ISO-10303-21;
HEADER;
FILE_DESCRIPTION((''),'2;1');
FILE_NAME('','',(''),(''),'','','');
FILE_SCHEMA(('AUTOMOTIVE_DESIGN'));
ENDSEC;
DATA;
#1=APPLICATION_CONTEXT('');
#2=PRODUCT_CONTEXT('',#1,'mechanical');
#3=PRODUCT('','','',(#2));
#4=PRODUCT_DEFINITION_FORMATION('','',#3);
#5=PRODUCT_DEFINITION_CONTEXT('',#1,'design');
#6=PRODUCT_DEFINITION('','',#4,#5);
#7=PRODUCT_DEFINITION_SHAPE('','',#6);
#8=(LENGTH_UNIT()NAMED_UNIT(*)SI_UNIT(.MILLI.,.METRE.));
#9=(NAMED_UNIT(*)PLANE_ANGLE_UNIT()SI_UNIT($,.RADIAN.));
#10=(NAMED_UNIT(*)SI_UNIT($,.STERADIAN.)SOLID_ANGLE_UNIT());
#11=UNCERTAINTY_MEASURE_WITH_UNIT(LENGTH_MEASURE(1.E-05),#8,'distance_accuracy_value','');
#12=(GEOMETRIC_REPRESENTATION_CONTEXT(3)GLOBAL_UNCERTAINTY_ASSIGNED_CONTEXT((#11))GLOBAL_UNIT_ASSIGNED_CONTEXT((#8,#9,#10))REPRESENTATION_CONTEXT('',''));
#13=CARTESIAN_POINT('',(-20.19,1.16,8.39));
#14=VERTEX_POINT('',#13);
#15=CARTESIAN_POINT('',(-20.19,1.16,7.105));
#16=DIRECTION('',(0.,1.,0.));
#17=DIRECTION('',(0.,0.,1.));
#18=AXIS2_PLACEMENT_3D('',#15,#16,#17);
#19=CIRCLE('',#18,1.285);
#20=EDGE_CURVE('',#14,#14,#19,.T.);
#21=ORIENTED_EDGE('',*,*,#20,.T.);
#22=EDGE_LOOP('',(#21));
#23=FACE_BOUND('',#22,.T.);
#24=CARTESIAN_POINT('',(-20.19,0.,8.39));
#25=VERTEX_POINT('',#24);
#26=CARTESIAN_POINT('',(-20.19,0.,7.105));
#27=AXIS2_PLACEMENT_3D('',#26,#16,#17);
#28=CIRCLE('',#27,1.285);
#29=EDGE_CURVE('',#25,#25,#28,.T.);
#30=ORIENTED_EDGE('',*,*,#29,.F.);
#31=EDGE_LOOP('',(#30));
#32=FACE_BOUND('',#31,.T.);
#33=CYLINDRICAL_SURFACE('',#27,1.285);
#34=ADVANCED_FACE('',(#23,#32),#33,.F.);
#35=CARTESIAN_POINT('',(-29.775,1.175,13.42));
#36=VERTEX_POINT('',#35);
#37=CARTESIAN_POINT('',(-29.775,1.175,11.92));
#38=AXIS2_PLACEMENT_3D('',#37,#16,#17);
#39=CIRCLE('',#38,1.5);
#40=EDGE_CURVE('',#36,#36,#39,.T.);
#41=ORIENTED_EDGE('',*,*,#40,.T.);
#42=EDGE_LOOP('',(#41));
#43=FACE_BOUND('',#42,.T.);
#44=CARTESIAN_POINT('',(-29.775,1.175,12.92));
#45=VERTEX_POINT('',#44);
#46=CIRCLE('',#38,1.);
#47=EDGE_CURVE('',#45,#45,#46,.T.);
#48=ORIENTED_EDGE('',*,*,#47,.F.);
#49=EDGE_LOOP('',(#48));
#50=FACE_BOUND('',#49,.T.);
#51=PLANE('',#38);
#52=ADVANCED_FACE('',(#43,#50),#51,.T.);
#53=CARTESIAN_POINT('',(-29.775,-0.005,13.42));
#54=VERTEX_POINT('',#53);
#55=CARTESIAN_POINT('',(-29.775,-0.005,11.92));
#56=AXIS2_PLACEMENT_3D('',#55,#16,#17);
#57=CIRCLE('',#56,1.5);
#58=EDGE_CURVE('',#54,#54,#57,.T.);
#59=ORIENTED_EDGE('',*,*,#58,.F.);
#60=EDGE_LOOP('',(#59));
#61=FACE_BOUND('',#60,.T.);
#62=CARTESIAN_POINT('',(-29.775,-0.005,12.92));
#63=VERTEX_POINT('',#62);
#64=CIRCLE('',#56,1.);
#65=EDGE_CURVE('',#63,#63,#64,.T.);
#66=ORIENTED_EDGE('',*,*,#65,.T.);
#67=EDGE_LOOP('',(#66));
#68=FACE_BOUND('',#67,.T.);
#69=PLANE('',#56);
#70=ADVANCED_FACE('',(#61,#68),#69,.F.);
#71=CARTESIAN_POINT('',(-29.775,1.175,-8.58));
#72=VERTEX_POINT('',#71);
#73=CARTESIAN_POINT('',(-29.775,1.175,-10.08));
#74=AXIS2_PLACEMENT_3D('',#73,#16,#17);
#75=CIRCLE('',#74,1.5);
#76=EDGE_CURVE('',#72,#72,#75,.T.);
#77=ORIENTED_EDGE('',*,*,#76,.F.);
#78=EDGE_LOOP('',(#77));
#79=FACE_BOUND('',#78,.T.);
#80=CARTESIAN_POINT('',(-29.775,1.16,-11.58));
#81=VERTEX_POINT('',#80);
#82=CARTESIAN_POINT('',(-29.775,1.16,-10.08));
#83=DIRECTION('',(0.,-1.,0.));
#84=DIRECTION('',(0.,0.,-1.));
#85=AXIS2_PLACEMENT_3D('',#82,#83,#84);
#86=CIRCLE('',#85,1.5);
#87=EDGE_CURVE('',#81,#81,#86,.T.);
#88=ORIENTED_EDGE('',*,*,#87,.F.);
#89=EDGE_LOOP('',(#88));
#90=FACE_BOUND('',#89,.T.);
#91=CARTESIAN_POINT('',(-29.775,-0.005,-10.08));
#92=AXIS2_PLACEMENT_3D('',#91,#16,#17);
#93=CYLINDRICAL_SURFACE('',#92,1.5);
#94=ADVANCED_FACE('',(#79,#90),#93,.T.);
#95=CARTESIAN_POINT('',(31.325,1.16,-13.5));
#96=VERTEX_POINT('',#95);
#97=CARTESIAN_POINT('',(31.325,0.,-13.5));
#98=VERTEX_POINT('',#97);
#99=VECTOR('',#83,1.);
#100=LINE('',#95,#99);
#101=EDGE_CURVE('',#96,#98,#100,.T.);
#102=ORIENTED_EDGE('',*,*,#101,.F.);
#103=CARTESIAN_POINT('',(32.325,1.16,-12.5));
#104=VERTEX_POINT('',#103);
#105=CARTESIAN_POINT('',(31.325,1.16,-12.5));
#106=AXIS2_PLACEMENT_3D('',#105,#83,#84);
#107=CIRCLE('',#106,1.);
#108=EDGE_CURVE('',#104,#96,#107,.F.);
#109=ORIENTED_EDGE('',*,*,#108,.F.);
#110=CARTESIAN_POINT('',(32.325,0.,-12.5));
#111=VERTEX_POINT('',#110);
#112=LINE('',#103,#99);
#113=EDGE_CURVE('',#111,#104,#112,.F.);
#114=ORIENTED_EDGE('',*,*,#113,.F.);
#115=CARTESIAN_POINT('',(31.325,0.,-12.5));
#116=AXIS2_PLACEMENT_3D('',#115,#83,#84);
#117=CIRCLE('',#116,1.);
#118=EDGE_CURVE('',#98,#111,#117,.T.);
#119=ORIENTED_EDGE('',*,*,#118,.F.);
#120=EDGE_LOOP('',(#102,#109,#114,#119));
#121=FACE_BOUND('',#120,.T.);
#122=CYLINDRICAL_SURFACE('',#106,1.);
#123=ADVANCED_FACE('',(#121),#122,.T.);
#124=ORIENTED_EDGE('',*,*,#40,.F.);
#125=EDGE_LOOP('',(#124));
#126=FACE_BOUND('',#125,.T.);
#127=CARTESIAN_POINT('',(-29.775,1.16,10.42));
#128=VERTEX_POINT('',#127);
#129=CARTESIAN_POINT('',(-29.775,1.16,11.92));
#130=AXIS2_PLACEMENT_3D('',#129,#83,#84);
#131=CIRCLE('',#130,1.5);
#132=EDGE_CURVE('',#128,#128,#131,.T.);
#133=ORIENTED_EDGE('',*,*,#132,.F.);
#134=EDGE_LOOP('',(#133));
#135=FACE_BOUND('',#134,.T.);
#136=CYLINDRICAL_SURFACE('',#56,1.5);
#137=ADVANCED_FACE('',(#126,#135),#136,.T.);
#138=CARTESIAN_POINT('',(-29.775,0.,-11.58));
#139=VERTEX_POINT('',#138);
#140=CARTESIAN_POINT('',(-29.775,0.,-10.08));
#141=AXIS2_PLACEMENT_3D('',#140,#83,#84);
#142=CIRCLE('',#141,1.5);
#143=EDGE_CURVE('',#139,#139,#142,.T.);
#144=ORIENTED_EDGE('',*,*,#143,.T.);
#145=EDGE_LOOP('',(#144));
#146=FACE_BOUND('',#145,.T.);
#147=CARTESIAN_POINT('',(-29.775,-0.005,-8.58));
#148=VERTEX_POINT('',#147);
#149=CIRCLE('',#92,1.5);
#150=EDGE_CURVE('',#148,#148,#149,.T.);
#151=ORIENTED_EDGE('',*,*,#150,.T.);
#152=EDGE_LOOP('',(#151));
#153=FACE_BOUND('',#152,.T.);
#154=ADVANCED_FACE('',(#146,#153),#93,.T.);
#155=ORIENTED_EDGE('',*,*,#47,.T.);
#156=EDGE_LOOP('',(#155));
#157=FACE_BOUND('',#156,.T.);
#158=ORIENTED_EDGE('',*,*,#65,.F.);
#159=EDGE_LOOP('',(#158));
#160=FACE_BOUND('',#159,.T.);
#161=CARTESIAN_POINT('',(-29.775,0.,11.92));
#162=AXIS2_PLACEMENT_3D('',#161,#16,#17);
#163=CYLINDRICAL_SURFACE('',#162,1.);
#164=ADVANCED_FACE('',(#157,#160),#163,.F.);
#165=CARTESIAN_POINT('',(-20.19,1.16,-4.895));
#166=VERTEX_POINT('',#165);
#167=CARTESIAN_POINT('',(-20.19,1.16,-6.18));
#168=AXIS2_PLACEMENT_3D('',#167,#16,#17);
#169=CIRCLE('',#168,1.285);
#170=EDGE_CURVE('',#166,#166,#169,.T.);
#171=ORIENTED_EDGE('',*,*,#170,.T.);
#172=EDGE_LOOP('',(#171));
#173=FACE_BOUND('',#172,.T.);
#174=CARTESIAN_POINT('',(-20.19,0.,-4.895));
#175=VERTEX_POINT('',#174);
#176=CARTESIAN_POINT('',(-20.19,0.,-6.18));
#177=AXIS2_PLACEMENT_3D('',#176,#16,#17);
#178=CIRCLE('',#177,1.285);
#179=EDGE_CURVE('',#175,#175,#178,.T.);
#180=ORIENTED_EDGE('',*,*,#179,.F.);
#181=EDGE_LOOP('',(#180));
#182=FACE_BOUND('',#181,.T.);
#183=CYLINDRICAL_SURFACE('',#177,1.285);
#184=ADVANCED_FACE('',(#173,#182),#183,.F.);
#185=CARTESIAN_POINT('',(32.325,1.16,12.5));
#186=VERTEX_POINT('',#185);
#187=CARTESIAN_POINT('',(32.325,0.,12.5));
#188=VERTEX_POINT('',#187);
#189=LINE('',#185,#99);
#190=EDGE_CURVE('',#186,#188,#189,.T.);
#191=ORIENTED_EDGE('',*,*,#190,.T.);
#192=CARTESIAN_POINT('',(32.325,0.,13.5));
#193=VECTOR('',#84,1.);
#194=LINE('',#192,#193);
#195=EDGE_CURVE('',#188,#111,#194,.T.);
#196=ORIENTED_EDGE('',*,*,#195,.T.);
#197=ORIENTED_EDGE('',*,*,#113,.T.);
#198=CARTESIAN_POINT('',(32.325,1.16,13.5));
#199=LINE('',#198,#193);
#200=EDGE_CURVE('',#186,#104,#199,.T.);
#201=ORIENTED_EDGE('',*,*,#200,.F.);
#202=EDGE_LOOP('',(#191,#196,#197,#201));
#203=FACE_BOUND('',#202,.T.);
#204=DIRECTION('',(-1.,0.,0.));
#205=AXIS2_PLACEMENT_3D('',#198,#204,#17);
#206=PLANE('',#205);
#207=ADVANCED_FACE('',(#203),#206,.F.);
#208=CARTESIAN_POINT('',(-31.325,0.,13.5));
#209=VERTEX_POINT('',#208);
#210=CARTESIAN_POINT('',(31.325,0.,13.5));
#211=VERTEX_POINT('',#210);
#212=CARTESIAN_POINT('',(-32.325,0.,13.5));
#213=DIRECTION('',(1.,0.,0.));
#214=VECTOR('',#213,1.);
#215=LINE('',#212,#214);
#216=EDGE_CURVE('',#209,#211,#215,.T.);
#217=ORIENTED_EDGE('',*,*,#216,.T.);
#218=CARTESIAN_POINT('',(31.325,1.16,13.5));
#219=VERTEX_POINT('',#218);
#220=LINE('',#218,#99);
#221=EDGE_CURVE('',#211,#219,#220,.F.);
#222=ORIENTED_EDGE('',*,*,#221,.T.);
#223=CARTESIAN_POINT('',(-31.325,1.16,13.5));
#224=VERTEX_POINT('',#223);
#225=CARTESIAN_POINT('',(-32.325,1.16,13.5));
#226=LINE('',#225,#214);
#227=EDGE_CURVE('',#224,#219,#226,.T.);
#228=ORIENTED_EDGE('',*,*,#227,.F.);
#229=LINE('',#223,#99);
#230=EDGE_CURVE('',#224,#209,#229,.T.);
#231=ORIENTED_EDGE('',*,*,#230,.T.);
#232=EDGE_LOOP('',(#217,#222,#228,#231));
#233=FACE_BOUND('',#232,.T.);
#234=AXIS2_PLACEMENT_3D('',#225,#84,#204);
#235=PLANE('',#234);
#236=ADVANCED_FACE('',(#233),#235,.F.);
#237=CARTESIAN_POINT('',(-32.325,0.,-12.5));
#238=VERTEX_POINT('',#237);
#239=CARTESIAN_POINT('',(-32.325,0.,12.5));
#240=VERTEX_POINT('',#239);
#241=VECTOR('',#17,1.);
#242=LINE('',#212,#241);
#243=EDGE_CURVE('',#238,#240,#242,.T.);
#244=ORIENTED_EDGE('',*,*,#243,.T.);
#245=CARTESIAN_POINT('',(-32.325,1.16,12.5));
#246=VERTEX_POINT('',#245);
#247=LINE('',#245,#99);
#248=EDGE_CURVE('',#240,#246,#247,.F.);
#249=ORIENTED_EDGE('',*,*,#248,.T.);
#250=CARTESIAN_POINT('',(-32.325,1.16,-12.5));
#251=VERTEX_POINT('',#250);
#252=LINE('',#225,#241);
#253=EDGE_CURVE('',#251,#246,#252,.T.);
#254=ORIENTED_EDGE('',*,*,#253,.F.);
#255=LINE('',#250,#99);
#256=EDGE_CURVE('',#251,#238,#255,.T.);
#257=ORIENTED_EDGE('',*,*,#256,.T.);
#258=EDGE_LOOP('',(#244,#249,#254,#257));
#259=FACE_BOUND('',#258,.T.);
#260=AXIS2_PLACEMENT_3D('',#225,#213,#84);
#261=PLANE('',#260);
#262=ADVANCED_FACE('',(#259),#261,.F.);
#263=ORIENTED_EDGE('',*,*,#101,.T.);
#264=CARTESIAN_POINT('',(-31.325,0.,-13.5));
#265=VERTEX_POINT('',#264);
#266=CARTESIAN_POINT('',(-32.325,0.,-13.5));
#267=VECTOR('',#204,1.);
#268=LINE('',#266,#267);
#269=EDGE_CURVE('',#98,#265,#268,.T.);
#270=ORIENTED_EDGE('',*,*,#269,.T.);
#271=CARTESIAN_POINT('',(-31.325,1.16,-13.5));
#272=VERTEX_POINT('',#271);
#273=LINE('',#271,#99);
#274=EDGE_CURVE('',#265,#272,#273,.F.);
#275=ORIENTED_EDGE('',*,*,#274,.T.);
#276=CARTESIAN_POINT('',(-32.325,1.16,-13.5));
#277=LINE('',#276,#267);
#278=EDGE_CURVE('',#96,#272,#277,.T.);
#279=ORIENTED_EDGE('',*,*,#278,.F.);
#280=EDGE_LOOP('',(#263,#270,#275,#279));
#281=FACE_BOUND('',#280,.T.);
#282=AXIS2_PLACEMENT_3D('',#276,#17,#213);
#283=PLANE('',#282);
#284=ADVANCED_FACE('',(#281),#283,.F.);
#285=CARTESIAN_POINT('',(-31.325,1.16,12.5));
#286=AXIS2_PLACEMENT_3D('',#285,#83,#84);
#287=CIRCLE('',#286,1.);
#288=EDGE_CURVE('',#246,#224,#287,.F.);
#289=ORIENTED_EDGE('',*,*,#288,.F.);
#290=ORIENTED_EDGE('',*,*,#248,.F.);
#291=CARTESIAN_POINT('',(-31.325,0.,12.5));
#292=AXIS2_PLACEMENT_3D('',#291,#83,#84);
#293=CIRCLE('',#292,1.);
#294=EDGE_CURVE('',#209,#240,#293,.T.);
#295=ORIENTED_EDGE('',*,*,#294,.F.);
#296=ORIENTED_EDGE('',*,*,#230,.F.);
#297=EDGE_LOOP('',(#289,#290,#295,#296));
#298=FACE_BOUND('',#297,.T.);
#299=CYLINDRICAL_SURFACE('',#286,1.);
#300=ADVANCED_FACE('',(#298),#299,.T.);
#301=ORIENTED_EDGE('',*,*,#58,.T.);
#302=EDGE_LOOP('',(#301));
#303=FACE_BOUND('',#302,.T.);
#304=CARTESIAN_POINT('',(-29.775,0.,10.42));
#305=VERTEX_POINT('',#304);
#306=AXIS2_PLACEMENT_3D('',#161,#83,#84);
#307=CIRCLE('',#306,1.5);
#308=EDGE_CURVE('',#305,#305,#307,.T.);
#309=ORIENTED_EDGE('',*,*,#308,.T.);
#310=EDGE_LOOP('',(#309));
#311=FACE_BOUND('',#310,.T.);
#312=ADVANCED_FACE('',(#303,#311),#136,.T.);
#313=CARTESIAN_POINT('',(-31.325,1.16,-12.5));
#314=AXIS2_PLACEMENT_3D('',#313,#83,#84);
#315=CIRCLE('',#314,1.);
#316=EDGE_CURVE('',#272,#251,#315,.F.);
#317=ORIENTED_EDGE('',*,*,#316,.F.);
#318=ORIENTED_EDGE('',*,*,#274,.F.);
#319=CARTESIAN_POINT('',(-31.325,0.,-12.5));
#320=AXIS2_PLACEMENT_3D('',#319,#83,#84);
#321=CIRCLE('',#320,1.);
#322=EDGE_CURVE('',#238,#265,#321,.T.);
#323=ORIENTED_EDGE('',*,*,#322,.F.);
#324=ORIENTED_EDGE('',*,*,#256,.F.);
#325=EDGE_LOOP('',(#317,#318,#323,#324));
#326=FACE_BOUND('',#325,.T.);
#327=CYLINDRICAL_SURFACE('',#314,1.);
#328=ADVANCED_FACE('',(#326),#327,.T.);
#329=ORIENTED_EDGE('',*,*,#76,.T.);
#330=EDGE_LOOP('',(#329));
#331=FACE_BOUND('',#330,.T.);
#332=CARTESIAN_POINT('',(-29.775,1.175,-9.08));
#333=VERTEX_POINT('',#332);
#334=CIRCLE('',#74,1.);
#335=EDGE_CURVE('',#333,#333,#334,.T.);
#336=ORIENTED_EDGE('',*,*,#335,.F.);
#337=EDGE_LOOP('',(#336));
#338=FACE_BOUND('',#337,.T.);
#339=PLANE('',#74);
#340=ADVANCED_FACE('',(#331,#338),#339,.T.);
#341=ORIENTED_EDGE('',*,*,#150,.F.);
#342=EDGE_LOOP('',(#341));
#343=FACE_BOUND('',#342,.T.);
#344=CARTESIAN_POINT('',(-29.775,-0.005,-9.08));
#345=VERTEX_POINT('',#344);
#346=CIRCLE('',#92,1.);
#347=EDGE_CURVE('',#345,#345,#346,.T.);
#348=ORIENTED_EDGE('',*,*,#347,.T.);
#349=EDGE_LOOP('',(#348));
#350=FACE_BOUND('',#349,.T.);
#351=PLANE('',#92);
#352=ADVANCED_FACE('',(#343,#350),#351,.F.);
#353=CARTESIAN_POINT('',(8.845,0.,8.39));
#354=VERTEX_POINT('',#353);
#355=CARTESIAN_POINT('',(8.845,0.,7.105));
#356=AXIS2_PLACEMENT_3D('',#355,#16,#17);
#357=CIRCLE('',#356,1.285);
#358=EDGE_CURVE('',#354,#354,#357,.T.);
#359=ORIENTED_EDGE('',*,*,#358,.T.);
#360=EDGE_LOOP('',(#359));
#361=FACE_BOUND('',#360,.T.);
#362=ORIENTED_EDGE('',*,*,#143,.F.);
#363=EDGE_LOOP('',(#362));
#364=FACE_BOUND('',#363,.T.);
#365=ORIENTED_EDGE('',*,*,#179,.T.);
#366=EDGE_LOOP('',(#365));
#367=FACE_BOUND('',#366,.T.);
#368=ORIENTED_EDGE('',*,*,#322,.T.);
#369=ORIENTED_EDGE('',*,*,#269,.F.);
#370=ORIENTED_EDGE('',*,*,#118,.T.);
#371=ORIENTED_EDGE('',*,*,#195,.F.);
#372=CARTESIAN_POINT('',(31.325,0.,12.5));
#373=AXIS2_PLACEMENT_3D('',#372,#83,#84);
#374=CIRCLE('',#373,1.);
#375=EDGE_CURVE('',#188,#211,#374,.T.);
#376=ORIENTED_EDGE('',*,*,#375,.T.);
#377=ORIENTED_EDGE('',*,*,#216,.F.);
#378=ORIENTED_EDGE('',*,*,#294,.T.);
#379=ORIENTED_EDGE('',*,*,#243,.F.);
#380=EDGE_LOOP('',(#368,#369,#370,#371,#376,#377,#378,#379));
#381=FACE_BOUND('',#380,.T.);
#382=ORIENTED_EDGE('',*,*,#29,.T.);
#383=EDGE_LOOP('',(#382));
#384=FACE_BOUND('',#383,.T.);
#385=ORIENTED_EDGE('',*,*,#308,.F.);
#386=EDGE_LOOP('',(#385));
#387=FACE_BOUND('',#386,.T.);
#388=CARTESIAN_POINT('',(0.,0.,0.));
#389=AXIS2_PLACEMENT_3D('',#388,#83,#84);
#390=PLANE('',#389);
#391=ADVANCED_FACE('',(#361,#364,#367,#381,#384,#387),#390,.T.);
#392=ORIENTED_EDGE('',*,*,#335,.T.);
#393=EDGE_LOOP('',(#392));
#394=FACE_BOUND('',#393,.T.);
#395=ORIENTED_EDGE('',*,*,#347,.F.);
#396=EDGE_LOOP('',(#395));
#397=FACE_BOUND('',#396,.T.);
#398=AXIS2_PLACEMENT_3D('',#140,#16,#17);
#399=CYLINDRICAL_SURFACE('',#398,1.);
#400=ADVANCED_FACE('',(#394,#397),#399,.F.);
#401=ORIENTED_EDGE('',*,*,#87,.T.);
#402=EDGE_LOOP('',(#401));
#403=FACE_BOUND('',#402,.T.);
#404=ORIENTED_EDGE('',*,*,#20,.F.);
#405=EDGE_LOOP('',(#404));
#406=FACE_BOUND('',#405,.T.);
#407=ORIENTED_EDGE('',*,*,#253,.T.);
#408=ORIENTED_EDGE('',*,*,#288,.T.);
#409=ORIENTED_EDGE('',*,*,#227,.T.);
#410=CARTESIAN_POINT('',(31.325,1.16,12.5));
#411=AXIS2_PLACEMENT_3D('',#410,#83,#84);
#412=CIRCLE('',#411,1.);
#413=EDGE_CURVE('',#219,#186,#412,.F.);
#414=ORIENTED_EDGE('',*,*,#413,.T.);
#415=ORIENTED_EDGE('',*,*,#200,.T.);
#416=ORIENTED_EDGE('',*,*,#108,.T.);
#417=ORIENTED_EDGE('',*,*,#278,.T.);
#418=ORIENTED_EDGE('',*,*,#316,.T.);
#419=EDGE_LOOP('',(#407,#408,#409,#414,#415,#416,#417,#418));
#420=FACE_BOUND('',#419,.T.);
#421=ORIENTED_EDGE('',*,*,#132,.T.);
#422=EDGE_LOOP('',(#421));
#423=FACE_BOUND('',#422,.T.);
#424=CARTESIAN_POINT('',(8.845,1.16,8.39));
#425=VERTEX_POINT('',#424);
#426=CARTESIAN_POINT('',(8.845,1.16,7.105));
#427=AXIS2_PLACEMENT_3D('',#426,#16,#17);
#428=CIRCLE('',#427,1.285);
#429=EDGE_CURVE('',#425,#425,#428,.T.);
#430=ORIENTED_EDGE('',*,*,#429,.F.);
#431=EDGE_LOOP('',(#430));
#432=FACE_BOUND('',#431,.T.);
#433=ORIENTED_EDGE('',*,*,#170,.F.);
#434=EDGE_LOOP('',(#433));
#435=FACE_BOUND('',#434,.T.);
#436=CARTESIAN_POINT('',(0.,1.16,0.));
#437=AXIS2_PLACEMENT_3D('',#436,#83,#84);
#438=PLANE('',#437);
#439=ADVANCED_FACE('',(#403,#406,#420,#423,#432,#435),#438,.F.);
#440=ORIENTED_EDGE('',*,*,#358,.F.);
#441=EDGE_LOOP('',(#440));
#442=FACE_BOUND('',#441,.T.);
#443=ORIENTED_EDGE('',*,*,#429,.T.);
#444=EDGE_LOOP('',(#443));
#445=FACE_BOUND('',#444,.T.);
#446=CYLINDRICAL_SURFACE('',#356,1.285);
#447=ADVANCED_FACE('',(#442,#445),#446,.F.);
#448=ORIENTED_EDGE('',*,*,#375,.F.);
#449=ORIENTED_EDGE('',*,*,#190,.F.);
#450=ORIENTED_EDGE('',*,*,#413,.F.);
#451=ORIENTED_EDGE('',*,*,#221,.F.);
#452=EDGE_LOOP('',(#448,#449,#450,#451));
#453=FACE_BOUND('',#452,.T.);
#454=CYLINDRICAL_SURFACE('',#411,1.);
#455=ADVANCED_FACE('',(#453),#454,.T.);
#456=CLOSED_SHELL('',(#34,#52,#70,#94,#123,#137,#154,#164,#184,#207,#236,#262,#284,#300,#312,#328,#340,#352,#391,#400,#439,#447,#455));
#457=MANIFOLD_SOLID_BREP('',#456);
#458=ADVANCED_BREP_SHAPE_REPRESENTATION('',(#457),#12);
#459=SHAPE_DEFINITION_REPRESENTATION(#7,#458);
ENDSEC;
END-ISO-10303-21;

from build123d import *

# Parameters (mm, degrees)
SKETCH1_W                = 64.65
SKETCH1_H                = 27
BOSS_EXTRUDE1_DEPTH      = 1.16
FILLET1_R                = 1
SKETCH2_R                = 1
SKETCH2_R_2              = 1.285
CUT_EXTRUDE1_DEPTH       = 2.16
SKETCH3_R                = 1.5
SKETCH3_R_2              = 1
BOSS_EXTRUDE2_DEPTH      = 0.015
BOSS_EXTRUDE2_DEPTH_BACK = 1.165


with BuildPart() as part:
    # Sketch1 → Boss-Extrude1 (new body)
    with BuildSketch(Plane(origin=(0, 0, 0), x_dir=(1, 0, 0), z_dir=(0, 1, 0))):
        Rectangle(SKETCH1_W, SKETCH1_H)
    extrude(amount=BOSS_EXTRUDE1_DEPTH)

    # Fillet1
    fillet1_edges = [part.edges().sort_by_distance(p)[0] for p in [
        (32.325, 0.58, 13.5),
        (-32.325, 0.58, 13.5),
        (-32.325, 0.58, -13.5),
        (32.325, 0.58, -13.5),
    ]]
    fillet(fillet1_edges, radius=FILLET1_R)

    # Sketch2 → Cut-Extrude1 (cut, through all)
    with BuildSketch(Plane(origin=(0, 1.16, 0), x_dir=(1, 0, 0), z_dir=(0, 1, 0))):
        with Locations((-29.775, -11.92)):
            Circle(SKETCH2_R)
        with Locations((-29.775, 10.08)):
            Circle(SKETCH2_R)
        with Locations((-20.19, -7.105)):
            Circle(SKETCH2_R_2)
        with Locations((-20.19, 6.18)):
            Circle(SKETCH2_R_2)
        with Locations((8.845, -7.105)):
            Circle(SKETCH2_R_2)
    extrude(amount=-CUT_EXTRUDE1_DEPTH, mode=Mode.SUBTRACT)

    # Sketch3 → Boss-Extrude2 (add, two sides)
    with BuildSketch(Plane(origin=(0, 1.16, 0), x_dir=(1, 0, 0), z_dir=(0, 1, 0))) as boss_extrude2_sk:
        with Locations((-29.775, -11.92)):
            Circle(SKETCH3_R)
        with Locations((-29.775, -11.92)):
            Circle(SKETCH3_R_2, mode=Mode.SUBTRACT)
        with Locations((-29.775, 10.08)):
            Circle(SKETCH3_R)
        with Locations((-29.775, 10.08)):
            Circle(SKETCH3_R_2, mode=Mode.SUBTRACT)
    extrude(amount=BOSS_EXTRUDE2_DEPTH)
    extrude(boss_extrude2_sk.sketch, amount=-BOSS_EXTRUDE2_DEPTH_BACK)


solid = part.part
